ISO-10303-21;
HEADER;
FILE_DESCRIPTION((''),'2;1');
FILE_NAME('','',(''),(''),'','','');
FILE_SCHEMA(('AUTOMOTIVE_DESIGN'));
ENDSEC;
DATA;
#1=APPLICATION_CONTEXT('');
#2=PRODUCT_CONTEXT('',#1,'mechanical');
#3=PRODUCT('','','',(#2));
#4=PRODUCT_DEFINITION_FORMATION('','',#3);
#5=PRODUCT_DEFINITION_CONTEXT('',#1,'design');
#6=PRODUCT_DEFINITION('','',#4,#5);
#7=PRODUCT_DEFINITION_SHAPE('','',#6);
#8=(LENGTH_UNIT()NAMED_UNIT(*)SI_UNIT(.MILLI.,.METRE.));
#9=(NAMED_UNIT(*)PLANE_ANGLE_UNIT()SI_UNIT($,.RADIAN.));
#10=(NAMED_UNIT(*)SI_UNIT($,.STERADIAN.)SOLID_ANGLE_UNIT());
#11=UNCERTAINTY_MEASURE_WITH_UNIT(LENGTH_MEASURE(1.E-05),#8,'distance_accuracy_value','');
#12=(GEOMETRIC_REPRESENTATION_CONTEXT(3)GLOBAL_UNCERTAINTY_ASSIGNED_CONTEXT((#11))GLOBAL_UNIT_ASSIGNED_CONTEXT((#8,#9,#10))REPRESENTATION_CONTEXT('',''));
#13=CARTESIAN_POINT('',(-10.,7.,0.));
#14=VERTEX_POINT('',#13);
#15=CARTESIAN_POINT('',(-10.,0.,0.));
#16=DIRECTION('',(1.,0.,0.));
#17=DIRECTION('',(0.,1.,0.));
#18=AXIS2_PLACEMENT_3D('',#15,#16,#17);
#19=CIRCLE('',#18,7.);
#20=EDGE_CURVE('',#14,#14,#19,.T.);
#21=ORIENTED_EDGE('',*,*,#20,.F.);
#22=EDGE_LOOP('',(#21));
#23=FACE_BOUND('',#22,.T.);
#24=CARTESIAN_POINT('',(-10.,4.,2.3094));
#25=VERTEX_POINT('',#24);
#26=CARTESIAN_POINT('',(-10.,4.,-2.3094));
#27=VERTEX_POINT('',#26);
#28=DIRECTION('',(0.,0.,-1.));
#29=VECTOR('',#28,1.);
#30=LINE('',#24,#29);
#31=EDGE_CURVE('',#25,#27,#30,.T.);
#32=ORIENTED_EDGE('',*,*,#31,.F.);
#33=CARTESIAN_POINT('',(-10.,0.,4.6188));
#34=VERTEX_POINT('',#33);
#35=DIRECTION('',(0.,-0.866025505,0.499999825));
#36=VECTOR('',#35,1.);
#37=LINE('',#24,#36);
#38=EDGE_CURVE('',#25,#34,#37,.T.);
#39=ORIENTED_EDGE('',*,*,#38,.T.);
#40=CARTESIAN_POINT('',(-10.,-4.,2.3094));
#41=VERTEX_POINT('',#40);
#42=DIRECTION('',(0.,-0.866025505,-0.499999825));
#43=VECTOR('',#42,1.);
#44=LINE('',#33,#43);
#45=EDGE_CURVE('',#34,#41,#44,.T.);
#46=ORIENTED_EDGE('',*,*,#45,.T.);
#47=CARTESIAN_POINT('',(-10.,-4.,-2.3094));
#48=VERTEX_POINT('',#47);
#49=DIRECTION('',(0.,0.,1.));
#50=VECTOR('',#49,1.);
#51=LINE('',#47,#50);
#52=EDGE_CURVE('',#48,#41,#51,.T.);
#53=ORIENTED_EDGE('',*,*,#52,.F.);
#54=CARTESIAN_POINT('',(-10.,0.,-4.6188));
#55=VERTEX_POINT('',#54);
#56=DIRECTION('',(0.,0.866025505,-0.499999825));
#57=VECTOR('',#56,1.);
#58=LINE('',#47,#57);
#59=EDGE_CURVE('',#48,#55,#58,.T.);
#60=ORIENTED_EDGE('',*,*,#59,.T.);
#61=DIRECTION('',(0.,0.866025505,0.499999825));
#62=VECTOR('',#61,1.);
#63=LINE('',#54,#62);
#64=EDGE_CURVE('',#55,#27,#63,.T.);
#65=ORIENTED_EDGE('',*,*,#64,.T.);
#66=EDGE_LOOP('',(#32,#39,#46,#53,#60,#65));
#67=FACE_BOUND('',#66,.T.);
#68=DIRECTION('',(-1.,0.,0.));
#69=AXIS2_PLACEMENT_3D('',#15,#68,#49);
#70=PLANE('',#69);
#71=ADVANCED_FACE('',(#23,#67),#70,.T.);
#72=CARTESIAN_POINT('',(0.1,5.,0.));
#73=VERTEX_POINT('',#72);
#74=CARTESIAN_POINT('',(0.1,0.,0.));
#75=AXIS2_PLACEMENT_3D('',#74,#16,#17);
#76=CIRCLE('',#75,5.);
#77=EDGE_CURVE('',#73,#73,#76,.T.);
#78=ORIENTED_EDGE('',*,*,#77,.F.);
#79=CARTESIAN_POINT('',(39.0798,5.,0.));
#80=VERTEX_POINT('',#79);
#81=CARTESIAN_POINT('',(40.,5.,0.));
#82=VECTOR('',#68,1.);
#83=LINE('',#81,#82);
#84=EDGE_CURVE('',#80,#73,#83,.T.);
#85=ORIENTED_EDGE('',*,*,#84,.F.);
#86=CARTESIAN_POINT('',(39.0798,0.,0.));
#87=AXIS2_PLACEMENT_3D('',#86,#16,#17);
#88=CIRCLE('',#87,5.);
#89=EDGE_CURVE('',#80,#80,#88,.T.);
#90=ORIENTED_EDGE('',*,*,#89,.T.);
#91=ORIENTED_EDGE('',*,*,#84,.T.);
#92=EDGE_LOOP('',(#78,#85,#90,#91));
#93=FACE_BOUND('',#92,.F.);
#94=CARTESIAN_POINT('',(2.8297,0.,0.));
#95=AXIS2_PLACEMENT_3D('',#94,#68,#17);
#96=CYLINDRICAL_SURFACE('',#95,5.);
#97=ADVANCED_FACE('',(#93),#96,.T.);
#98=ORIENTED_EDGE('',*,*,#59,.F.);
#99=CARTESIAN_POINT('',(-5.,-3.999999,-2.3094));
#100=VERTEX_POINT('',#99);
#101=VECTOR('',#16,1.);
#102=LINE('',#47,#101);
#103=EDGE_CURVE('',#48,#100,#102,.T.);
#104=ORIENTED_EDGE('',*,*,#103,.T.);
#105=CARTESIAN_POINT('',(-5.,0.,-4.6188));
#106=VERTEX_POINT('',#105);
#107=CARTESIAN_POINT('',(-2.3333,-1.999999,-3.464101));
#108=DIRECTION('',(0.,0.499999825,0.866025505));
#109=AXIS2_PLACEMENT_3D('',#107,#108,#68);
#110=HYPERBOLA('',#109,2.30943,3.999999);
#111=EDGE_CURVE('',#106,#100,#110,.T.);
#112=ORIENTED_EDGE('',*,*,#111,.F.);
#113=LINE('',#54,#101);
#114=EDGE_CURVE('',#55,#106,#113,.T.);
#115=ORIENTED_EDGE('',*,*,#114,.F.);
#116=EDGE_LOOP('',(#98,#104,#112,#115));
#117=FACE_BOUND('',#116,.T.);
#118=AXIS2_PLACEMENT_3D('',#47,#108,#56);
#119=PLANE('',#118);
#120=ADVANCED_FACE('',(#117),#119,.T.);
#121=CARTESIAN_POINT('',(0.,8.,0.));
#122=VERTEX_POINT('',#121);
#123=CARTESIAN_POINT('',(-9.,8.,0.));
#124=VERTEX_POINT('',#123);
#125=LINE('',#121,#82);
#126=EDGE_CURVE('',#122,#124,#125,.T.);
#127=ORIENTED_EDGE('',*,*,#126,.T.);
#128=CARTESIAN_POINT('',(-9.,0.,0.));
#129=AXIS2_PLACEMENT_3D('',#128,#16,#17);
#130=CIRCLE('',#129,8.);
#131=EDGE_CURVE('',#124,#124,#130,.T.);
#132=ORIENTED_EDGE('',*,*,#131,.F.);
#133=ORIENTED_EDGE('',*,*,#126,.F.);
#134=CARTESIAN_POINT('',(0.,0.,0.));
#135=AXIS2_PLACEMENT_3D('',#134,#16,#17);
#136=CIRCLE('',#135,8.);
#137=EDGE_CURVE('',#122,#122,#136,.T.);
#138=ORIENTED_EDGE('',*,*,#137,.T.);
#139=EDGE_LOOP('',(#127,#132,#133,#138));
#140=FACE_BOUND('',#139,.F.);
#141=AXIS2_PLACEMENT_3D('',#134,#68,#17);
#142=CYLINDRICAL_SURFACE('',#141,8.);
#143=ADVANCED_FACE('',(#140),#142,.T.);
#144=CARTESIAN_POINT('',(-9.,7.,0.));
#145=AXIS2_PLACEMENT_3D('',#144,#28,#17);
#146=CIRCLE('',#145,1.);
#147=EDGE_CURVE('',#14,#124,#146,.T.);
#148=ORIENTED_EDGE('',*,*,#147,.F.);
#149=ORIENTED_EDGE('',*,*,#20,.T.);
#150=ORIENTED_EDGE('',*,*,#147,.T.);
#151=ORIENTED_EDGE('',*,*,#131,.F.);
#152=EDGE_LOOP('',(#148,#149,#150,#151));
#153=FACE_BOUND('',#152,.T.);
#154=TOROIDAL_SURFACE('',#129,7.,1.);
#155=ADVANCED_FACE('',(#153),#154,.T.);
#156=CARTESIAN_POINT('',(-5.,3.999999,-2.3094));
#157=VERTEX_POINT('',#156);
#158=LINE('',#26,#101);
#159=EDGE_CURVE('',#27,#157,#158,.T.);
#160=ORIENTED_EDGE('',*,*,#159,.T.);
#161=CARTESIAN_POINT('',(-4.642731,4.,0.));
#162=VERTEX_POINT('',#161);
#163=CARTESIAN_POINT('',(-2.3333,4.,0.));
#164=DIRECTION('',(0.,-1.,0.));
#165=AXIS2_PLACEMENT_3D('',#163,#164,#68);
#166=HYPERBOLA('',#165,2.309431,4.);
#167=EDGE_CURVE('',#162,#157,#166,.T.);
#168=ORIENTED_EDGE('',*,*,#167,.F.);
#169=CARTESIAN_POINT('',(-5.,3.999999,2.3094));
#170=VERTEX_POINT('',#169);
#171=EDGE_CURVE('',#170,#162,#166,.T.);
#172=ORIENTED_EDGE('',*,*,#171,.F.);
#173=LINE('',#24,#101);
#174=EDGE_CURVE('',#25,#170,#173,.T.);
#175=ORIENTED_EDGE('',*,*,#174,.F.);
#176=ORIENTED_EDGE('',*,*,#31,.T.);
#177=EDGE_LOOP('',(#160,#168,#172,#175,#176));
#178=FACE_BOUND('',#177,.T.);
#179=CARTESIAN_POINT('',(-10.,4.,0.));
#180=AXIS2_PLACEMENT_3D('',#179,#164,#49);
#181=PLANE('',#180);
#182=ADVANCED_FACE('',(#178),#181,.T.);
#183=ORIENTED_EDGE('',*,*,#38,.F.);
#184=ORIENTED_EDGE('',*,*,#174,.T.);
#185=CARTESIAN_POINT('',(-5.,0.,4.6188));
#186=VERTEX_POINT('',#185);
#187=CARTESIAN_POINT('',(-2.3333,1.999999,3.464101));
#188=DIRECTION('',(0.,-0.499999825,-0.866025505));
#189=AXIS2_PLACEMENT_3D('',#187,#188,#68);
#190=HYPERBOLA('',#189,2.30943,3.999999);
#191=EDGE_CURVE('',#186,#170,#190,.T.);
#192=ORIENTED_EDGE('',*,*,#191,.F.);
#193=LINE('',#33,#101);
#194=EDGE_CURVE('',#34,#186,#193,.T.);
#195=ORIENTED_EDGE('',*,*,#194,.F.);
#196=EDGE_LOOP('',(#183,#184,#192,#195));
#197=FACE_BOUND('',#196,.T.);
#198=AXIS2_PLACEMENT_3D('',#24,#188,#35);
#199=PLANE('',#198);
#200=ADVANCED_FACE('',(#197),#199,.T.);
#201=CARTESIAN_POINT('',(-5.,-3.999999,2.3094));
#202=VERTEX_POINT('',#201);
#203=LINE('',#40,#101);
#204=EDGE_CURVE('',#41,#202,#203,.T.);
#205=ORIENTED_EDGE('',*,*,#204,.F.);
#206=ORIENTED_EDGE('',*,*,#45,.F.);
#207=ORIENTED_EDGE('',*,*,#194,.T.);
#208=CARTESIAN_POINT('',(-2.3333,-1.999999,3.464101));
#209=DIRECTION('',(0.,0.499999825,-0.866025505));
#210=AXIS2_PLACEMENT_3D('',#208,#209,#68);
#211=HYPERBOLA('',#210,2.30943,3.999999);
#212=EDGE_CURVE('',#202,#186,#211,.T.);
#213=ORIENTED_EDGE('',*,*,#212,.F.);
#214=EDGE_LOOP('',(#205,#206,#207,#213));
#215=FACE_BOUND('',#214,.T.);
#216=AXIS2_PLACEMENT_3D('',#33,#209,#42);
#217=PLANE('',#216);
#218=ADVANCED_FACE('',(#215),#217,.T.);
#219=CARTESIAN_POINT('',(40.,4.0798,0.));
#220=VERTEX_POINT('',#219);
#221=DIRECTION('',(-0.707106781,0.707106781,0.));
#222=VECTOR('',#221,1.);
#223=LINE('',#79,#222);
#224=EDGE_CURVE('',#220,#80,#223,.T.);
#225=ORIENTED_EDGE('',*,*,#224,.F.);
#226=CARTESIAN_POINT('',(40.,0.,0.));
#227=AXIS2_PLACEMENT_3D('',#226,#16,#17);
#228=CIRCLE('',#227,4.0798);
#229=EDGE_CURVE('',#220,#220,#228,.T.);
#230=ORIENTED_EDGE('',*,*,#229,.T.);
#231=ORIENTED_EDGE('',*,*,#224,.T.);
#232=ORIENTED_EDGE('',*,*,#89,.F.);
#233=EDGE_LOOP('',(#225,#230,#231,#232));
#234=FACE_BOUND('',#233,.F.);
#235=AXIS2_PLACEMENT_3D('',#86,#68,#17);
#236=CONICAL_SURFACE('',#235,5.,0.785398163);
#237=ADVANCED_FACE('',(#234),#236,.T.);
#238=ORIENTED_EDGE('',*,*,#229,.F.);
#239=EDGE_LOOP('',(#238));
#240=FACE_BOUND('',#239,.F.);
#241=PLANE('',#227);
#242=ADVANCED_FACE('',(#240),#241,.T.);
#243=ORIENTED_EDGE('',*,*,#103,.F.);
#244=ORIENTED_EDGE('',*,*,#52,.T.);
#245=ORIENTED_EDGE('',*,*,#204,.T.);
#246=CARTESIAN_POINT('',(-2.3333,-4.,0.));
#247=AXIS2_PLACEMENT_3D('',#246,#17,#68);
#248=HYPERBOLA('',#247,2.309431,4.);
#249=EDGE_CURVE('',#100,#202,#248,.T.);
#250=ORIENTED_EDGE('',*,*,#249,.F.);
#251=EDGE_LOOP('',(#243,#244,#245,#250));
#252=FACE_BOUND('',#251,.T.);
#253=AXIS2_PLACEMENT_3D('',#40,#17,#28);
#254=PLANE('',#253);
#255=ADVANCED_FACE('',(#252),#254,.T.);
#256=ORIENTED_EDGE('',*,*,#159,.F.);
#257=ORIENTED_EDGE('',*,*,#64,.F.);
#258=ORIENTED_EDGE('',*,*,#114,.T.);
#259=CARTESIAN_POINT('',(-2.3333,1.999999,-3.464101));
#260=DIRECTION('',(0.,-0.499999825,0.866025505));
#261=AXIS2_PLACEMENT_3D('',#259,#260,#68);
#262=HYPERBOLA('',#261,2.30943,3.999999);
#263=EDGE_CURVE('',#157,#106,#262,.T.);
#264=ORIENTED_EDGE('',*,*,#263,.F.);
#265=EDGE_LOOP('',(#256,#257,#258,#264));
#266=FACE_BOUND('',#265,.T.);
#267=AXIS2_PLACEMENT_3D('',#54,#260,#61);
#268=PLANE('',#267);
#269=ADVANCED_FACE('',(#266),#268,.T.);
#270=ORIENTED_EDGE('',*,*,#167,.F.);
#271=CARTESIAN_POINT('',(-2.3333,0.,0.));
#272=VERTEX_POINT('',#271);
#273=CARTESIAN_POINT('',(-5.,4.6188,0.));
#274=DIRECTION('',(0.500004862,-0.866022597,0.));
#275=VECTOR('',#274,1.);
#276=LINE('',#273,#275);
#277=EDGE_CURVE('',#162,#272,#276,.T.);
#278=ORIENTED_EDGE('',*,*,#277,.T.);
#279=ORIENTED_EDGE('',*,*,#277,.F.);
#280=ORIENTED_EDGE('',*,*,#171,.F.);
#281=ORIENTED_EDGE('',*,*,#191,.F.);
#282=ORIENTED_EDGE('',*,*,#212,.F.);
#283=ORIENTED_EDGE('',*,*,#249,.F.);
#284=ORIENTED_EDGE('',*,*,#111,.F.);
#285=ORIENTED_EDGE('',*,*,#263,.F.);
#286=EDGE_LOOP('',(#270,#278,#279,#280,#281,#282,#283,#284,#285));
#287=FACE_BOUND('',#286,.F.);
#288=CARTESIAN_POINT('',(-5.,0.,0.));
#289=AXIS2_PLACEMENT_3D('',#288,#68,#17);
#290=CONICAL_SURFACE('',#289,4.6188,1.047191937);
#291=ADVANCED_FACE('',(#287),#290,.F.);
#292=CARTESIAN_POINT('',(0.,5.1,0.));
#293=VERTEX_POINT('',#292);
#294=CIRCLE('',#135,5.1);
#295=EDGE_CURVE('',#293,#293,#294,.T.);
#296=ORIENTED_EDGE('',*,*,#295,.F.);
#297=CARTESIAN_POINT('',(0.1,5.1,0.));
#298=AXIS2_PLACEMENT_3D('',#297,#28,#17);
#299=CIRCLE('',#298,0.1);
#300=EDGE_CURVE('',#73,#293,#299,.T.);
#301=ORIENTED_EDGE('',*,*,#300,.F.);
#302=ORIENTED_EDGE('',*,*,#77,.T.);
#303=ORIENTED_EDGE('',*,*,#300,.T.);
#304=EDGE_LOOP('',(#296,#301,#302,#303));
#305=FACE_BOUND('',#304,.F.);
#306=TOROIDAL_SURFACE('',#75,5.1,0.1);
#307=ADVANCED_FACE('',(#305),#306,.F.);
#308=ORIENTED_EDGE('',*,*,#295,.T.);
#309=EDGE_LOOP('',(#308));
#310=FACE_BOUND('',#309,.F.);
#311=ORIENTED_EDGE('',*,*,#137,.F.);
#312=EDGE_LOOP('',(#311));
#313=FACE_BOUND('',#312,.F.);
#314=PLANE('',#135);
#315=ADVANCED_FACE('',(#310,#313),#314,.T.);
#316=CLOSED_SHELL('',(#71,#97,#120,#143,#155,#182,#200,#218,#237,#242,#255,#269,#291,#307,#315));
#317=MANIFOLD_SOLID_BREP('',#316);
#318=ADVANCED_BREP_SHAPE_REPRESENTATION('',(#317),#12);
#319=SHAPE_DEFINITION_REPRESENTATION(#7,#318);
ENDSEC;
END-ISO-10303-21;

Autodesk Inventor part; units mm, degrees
ref_plane "YZ Plane" through (0, 0, 0) normal (1, 0, 0) x (0, 1, 0)
ref_plane "XZ Plane" through (0, 0, 0) normal (0, 1, 0) x (-1, 0, 0)
sketch "Rascunho1" plane through (0, 0, 0) normal (0, 0, 1) x (1, 0, 0)
  line L0 (-2.3333, 0) -> (40, 0)
  line L1 (40, 0) -> (40, 5)
  line L2 (40, 5) -> (3.75, 5)
  line L3 (3.75, 5) -> (2.8297, 5)
  line L4 (2.8297, 5) -> (0, 5)
  line L5 (0, 5) -> (0, 8)
  line L6 (0, 8) -> (-10, 8)
  line L7 (-10, 8) -> (-10, 4.6188)
  line L8 (-10, 4.6188) -> (-5, 4.6188)
  line L9 (-5, 4.6188) -> (-2.3333, 0)
  line L10 (-20, 0) -> (50, 0) projected
  line L11 (0, -1.6) -> (0, 9.6) projected
  line L12 (3.75, 5) -> (0, 5) construction
  dimension "d1" = 36.25
  dimension "d2" = 0.9203
  dimension "d3" = 10
  dimension "d4" = 5
  dimension "d5" = 60
  dimension "d6" = 10
  dimension "d7" = 10
  dimension "d8" = 9.2376
  dimension "d9" = 16
  dimension "d26" = 40
revolve "Corpo" add sketch "Rascunho1" angle 360 about axis through (-2.3333, 0, 0) along (1, 0, 0)
sketch "Rascunho2" plane through (-10, 0, 0) normal (-1, 0, 0) x (0, 0, 1)
  circle A0 centre (0, 0) radius 4.6188 projected
  line L0 (0, -11.2) -> (0, 11.2) projected
  line L1 (-11.2, 0) -> (11.2, 0) projected
  line L2 (4.6188, 0) -> (2.3094, -4)
  line L3 (2.3094, -4) -> (-2.3094, -4)
  line L4 (-2.3094, -4) -> (-4.6188, 0)
  line L5 (-4.6188, 0) -> (-2.3094, 4)
  line L6 (-2.3094, 4) -> (2.3094, 4)
  line L7 (2.3094, 4) -> (4.6188, 0)
extrude "Fenda" add sketch "Rascunho2" against normal up to next contours L7 A0 | A0 L2 | L6 L0 A0 | A0 L0 L3 | L0 L6 A0 | A0 L3 L0 | L4 A0 | A0 L5
fillet "Raio de arredondamento1" radius 1 1 edges at (-10, -8, 0)
thread "Rosca" size "M10x1.5" class "6g" standard "ISO Metric profile" length 36.25
chamfer "Chanfrar1" distance 0.9202 distance2 0.9202 1 edges at (40, -5, 0) measured on face at (40, -1.105, 0.7295)
ref_plane "Work Plane1" through (29, 0, 0) normal (0, -1, 0) x (1, 0, 0)
fillet "Fillet2" radius 0.1 1 edges at (0, -5, 0)
equation "\"d1\" = GEL"
equation "\"d3\" = KOH"
equation "\"d4\" = INTI"
equation "\"d6\" = GD"
equation "\"d7\" = BDM"
equation "\"d8\" = 1.1547 * SW"
equation "\"d9\" = KOD"
equation "\"d26\" = NLG"
equation "\"d17\" = RR"
equation "\"d13\" = GEL"
equation "\"d15\" = -0.5 * SPD + 0.5 * GD"
equation "\"d16\" = GUL"
equation "\"d30\" = R"
equation "\"GD\" = NND"
equation "\"NLG\" = 40"
equation "\"GEL\" = 36.25"
equation "\"KOD\" = 16"
equation "\"KOH\" = 10"
equation "\"INTI\" = 5"
equation "\"GAL\" = 0.61345 * PTC"
equation "\"GUL\" = 0.61345 * PTC"
equation "\"BDM\" = NND"
equation "\"SW\" = 8"
equation "\"RR\" = 0.1 * KOH"
equation "\"SPD\" = NND - 1.2269 * PTC"
equation "\"R\" = 0.1"
equation "\"TOA\" = 30deg"
equation "\"GD1\" = THREADDIA - 1.2269 * PTC"
equation "\"FAWI\" = 45deg"
equation "\"ANG\" = 120deg"
equation "\"PTC\" = 1.5"
equation "\"E0\" = 1.155 * SW"
equation "\"NND\" = 10"
equation "\"THREADDIA\" = 10"
properties part number "DIN 912 - M10 x 40 (c)" material "Aço Inox AISI 304"
